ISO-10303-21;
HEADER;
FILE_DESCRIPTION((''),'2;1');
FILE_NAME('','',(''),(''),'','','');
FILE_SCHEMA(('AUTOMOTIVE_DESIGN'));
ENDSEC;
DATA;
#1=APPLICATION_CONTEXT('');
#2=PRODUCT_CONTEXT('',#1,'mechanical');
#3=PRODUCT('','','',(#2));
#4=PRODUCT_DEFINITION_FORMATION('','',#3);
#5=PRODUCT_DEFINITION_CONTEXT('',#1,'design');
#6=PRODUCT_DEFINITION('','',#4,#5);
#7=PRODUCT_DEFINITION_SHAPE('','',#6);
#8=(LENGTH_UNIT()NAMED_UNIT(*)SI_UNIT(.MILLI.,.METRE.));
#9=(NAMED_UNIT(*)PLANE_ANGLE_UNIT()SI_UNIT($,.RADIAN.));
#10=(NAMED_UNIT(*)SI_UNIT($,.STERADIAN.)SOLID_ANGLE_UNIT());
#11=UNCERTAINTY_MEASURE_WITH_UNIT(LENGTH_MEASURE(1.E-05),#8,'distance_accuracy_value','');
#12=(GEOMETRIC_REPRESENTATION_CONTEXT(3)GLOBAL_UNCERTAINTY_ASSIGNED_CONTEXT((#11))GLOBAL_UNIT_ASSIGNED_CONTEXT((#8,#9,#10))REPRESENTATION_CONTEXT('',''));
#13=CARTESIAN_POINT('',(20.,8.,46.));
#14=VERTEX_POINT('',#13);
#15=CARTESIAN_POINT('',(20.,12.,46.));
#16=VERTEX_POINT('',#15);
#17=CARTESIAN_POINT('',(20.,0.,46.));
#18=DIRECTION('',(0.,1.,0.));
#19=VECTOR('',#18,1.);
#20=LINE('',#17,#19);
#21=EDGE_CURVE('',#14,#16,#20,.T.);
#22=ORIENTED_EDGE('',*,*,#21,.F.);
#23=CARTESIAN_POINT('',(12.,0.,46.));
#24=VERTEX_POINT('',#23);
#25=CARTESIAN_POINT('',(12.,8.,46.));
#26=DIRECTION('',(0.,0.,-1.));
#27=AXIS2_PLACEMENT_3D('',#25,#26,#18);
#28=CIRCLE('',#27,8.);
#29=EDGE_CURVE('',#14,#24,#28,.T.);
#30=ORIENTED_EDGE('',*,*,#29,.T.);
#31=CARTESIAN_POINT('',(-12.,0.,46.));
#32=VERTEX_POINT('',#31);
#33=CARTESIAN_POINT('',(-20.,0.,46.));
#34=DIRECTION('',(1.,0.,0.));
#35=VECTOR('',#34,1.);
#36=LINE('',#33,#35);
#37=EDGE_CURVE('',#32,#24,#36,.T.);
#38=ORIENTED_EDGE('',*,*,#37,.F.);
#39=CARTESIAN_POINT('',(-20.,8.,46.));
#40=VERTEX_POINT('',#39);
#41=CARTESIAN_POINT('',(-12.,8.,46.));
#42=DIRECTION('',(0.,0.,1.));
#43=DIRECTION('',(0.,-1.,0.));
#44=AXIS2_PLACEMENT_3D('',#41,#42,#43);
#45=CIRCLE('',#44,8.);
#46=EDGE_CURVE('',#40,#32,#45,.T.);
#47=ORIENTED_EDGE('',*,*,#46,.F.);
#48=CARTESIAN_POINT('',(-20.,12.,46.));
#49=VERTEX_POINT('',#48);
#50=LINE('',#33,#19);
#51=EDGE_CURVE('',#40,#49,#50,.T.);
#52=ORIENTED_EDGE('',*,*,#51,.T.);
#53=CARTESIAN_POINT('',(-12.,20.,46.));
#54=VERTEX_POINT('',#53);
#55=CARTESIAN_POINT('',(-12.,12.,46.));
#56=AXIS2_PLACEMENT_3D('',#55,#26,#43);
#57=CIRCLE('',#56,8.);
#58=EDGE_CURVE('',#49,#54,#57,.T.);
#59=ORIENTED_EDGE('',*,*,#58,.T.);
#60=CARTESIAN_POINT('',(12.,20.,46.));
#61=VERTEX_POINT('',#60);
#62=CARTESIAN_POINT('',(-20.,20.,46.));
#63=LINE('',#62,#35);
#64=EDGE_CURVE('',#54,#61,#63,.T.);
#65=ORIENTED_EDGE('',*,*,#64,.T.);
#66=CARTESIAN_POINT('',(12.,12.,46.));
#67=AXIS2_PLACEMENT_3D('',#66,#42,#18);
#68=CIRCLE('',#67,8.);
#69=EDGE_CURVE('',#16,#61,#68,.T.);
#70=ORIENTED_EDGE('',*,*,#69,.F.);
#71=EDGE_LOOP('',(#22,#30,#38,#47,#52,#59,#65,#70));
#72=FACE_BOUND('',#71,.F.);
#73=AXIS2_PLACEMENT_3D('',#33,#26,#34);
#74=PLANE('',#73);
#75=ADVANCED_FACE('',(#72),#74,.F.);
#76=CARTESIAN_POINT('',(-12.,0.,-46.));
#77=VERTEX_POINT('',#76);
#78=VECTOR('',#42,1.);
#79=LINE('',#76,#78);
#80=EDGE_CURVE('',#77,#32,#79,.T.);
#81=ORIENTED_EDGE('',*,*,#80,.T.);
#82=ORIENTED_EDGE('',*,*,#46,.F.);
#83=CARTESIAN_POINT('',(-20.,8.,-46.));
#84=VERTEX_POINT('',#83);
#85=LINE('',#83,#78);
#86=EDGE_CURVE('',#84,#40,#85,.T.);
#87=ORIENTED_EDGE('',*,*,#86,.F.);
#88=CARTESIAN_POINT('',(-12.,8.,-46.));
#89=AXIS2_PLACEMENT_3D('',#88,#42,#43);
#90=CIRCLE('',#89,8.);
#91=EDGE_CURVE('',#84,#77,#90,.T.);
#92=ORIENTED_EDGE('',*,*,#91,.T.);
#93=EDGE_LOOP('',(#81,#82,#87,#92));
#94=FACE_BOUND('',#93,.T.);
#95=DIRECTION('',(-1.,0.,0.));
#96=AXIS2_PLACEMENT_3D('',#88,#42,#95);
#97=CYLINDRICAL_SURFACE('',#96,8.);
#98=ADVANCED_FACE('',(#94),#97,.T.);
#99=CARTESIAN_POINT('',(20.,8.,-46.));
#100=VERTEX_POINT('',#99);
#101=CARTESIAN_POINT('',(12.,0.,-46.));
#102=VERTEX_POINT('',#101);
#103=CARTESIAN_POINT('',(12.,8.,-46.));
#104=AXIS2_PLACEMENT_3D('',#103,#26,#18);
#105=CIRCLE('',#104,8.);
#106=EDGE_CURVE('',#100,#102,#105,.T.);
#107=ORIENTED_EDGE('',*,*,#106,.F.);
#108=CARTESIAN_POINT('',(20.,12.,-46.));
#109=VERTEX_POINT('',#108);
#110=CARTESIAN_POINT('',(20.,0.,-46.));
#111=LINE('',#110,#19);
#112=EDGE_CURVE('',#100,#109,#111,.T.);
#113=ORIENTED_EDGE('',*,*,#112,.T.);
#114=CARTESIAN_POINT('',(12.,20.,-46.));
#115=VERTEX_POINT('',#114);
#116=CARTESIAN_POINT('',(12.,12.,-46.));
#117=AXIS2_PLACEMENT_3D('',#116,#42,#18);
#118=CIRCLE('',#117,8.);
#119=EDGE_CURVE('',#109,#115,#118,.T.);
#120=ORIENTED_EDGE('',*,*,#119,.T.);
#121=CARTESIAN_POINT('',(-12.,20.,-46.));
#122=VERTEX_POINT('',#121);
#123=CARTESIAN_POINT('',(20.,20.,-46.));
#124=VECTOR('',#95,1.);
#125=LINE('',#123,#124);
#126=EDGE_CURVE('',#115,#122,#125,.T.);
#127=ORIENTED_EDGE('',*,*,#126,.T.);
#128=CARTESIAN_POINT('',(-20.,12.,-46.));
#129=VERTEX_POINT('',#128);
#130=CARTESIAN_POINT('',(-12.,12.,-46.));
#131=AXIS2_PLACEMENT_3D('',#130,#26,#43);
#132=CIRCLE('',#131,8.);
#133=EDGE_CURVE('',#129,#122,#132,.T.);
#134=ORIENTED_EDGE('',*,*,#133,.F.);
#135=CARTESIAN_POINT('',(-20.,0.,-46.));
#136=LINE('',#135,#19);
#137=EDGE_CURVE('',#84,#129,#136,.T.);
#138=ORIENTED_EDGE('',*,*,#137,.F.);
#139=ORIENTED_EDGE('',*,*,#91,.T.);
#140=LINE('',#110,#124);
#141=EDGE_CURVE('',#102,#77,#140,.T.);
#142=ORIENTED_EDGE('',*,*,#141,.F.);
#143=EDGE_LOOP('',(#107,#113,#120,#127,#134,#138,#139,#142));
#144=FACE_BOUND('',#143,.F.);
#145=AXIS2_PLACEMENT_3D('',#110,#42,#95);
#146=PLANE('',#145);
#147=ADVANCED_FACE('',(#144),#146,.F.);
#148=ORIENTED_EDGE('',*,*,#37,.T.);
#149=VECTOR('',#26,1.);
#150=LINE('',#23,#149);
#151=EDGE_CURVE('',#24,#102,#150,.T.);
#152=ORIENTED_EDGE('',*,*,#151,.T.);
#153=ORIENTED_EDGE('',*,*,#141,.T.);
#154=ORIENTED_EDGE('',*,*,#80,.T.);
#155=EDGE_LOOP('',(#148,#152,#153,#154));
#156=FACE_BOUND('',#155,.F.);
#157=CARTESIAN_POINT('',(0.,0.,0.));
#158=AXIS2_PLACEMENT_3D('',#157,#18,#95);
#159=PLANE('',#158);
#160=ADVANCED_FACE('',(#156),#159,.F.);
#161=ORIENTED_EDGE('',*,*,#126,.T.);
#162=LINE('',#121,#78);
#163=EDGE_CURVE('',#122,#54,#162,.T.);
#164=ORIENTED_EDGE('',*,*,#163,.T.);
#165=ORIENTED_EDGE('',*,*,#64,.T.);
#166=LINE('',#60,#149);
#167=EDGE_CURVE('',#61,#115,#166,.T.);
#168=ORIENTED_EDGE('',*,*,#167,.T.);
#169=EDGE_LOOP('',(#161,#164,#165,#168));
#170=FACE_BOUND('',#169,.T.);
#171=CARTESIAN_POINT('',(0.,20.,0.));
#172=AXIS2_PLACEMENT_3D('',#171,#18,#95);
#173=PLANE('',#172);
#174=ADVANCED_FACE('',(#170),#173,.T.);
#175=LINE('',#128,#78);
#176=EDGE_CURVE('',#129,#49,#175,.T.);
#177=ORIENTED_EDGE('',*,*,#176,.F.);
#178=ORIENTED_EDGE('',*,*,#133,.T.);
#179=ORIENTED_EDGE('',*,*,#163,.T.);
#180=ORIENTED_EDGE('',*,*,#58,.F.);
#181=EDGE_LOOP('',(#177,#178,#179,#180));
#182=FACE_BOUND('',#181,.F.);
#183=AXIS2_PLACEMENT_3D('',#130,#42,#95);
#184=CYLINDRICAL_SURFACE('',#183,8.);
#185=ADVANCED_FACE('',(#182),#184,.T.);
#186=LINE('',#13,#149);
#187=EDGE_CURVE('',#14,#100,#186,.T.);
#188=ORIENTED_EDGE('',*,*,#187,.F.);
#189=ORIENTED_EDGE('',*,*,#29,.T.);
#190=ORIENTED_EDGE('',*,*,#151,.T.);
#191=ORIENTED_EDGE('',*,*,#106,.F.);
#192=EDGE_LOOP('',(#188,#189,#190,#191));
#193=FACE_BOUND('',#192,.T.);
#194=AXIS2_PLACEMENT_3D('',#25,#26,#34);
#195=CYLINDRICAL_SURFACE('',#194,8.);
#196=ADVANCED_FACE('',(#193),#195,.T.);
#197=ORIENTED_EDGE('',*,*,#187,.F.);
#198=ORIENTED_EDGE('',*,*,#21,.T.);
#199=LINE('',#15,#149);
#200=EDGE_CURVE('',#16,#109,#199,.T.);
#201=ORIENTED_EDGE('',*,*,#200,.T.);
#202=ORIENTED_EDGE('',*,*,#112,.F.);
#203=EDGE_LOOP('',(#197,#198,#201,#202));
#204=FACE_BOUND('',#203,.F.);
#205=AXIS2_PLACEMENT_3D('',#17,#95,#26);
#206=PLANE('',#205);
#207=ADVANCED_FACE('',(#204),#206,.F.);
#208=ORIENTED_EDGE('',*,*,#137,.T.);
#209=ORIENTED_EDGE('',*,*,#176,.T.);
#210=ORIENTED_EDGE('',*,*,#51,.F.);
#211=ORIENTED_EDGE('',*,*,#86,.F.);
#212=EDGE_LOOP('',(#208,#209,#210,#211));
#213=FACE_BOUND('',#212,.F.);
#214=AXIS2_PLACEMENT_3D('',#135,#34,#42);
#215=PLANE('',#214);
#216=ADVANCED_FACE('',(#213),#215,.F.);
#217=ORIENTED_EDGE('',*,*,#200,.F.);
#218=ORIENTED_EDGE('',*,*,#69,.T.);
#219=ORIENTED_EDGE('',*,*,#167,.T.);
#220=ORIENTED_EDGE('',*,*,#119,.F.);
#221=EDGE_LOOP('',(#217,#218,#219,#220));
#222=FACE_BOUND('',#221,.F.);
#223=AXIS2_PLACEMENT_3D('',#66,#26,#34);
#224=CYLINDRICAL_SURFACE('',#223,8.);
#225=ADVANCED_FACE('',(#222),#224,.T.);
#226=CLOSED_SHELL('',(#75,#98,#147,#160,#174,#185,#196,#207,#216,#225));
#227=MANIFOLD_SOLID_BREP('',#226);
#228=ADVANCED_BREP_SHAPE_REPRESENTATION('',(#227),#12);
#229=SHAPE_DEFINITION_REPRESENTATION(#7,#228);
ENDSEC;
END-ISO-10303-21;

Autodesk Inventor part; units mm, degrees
ref_plane "YZ Plane" through (0, 0, 0) normal (1, 0, 0) x (0, 1, 0)
ref_plane "XZ Plane" through (0, 0, 0) normal (0, 1, 0) x (-1, 0, 0)
ref_plane "XY Plane" through (0, 0, 0) normal (0, 0, 1) x (1, 0, 0)
sketch "Sketch1" plane through (0, 0, 0) normal (0, 1, 0) x (-1, 0, 0)
  line L0 (20, 46) -> (-20, 46)
  line L1 (-20, 46) -> (-20, -46)
  line L2 (-20, -46) -> (20, -46)
  line L3 (20, -46) -> (20, 46)
  line L4 (20, 46) -> (-20, -46)
  line L5 (20, -46) -> (-20, 46)
  point P0 (0, 0)
  point P1 (0, 0)
  dimension "d9" = 92
  dimension "d10" = 40
extrude "Extrusion1" add sketch "Sketch1" along normal blind 20
fillet "Fillet5" radius 8 4 edges at (20, 20, 0) (-20, 20, 0) (20, 0, 0) (-20, 0, 0)
properties part number "battery-model-group2"
